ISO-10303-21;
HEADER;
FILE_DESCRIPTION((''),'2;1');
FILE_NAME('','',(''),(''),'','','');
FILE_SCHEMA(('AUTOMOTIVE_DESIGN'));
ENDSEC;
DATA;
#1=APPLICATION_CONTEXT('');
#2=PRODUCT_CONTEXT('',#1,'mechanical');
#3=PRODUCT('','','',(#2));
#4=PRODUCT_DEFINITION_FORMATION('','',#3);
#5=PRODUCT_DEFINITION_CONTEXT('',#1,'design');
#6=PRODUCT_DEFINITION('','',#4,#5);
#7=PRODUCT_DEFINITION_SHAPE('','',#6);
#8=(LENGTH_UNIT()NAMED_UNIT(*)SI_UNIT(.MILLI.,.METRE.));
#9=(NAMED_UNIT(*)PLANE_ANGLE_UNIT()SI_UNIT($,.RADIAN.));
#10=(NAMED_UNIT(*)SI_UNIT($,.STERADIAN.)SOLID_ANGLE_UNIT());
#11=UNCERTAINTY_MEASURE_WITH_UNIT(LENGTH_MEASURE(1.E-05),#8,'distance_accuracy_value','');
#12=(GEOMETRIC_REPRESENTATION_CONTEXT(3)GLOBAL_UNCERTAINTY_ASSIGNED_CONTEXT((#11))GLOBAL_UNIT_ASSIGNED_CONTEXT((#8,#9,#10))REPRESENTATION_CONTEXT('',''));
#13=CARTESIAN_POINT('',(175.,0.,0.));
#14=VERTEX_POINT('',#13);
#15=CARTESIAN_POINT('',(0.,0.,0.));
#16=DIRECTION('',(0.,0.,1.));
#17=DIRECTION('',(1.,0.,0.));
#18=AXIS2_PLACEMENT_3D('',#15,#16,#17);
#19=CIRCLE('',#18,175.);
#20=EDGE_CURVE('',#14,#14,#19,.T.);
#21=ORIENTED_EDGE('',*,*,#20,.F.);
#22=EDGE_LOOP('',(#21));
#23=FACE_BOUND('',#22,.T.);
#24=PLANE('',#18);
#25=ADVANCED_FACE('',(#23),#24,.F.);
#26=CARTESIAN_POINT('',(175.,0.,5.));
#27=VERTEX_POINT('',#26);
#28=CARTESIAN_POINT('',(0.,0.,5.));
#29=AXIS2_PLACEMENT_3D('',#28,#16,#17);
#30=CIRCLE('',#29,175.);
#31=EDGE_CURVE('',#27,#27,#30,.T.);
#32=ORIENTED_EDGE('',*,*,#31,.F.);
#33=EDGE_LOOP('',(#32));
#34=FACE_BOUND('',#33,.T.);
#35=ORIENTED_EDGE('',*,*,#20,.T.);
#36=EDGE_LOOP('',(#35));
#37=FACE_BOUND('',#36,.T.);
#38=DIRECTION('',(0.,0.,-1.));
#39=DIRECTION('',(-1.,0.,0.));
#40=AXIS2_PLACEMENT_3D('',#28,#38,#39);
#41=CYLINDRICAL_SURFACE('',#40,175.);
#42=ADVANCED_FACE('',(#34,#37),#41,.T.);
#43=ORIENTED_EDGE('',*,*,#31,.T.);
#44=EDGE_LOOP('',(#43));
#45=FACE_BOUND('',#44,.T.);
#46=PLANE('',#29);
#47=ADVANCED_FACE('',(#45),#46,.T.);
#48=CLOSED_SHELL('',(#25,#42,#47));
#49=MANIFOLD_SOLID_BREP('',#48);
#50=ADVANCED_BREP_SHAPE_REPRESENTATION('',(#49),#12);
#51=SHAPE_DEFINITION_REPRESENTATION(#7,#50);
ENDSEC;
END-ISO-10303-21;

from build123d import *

# Parameters (mm, degrees)
ESQUISSE1_R        = 175
BOSS_EXTRU_1_DEPTH = 5


with BuildPart() as part:
    # Esquisse1 → Boss.-Extru.1 (new body)
    with BuildSketch(Plane.XY):
        Circle(ESQUISSE1_R)
    extrude(amount=BOSS_EXTRU_1_DEPTH)


solid = part.part
